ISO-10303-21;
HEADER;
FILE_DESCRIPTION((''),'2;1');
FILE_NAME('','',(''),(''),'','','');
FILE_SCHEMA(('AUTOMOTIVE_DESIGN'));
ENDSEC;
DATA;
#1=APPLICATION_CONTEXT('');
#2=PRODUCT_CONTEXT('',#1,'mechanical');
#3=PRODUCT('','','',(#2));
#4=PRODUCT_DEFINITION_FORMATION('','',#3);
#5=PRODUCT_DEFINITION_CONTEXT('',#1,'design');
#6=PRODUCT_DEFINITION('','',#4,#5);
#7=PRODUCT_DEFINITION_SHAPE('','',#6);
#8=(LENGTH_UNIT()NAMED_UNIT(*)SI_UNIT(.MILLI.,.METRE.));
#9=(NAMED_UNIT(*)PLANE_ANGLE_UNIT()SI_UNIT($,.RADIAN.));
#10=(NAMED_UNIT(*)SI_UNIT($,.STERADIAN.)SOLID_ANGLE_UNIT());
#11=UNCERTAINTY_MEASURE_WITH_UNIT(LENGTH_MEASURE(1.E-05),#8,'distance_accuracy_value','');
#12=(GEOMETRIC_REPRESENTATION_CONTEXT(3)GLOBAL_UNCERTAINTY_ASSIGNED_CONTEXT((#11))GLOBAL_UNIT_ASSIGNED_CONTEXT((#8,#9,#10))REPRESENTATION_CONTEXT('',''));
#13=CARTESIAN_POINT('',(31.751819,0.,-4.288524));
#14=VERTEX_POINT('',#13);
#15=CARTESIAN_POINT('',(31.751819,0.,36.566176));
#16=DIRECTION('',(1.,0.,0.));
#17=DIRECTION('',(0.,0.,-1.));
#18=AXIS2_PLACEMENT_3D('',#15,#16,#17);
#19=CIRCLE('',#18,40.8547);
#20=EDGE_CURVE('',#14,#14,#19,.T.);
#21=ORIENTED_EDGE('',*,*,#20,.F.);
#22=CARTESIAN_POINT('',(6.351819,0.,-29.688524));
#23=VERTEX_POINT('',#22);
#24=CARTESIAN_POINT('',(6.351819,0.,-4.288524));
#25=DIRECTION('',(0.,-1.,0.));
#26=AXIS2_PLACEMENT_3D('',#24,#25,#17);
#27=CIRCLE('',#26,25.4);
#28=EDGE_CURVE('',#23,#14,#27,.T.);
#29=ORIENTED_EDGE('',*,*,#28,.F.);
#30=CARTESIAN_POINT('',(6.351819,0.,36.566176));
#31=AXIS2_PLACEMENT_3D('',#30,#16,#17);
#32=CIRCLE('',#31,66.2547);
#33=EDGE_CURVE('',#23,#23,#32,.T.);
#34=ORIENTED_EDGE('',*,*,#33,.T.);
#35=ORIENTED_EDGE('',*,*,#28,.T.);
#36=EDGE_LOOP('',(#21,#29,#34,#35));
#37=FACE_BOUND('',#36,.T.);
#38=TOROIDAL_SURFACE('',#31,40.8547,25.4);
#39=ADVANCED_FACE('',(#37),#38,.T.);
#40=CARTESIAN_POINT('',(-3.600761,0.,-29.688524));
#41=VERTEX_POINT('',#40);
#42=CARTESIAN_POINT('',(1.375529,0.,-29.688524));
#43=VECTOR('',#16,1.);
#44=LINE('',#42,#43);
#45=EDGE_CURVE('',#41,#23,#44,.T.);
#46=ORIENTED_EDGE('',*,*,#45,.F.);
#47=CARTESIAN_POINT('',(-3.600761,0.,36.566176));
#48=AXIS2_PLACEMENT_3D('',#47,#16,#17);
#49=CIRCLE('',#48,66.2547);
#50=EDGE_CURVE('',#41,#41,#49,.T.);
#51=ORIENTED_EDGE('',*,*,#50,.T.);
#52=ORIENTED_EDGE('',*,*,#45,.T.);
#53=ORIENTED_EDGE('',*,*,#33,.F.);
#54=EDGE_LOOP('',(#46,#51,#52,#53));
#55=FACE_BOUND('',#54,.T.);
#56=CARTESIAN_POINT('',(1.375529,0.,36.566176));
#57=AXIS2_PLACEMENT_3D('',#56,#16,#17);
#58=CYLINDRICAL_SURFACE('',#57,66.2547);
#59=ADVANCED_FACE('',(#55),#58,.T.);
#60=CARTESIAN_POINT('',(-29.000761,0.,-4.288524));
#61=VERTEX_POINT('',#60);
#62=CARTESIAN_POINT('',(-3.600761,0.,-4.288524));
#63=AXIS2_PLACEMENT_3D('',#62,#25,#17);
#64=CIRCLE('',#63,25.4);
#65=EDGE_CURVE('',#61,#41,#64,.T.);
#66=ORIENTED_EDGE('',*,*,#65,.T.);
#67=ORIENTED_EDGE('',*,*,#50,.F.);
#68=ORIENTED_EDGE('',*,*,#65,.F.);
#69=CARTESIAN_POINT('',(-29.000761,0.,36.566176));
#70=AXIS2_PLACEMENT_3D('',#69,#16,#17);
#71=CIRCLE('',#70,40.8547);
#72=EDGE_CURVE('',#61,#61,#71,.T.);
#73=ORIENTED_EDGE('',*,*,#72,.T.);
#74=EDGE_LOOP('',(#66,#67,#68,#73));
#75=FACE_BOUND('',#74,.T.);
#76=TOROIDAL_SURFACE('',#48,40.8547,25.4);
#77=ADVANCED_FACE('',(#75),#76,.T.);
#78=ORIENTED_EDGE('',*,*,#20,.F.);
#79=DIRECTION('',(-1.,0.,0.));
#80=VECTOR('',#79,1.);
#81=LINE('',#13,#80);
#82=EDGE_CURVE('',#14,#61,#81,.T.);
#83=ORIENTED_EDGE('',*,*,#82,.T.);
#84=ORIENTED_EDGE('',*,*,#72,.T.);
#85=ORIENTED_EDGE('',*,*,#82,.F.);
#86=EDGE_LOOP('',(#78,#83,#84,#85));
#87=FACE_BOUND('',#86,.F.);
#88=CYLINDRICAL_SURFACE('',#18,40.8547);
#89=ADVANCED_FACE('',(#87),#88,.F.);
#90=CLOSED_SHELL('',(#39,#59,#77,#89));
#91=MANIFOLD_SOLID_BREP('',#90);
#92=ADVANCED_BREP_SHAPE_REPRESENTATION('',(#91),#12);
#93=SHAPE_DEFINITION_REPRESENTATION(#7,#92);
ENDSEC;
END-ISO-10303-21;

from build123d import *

# Parameters (mm, degrees)
F0_W     = 60.7525799423
F0_H     = 66.2546996027
F2_R     = 25.4
F3_DEPTH = 127


with BuildPart() as f1:
    # F0 (on Front) → F1 (revolve)
    with BuildSketch(Plane.XZ):
        with Locations((1.3755289838, 3.4388257191)):
            Rectangle(F0_W, F0_H)
    revolve(axis=Axis((1.3755289838, 0, 36.5661755204), (1, 0, 0)))

    # F2
    f2_edges = [f1.edges().sort_by_distance(p)[0] for p in [
        (31.751819, 0, 102.820875),
        (-29.000761, 0, 102.820875),
    ]]
    fillet(f2_edges, radius=F2_R)

    # F3 (cut): a face of the model
    f3_faces = [f1.faces().sort_by_distance(p)[0] for p in [
        (31.7518189549, 0, 36.5661755204),
    ]]
    extrude(f3_faces, amount=-F3_DEPTH, mode=Mode.SUBTRACT)


solid = f1.part
